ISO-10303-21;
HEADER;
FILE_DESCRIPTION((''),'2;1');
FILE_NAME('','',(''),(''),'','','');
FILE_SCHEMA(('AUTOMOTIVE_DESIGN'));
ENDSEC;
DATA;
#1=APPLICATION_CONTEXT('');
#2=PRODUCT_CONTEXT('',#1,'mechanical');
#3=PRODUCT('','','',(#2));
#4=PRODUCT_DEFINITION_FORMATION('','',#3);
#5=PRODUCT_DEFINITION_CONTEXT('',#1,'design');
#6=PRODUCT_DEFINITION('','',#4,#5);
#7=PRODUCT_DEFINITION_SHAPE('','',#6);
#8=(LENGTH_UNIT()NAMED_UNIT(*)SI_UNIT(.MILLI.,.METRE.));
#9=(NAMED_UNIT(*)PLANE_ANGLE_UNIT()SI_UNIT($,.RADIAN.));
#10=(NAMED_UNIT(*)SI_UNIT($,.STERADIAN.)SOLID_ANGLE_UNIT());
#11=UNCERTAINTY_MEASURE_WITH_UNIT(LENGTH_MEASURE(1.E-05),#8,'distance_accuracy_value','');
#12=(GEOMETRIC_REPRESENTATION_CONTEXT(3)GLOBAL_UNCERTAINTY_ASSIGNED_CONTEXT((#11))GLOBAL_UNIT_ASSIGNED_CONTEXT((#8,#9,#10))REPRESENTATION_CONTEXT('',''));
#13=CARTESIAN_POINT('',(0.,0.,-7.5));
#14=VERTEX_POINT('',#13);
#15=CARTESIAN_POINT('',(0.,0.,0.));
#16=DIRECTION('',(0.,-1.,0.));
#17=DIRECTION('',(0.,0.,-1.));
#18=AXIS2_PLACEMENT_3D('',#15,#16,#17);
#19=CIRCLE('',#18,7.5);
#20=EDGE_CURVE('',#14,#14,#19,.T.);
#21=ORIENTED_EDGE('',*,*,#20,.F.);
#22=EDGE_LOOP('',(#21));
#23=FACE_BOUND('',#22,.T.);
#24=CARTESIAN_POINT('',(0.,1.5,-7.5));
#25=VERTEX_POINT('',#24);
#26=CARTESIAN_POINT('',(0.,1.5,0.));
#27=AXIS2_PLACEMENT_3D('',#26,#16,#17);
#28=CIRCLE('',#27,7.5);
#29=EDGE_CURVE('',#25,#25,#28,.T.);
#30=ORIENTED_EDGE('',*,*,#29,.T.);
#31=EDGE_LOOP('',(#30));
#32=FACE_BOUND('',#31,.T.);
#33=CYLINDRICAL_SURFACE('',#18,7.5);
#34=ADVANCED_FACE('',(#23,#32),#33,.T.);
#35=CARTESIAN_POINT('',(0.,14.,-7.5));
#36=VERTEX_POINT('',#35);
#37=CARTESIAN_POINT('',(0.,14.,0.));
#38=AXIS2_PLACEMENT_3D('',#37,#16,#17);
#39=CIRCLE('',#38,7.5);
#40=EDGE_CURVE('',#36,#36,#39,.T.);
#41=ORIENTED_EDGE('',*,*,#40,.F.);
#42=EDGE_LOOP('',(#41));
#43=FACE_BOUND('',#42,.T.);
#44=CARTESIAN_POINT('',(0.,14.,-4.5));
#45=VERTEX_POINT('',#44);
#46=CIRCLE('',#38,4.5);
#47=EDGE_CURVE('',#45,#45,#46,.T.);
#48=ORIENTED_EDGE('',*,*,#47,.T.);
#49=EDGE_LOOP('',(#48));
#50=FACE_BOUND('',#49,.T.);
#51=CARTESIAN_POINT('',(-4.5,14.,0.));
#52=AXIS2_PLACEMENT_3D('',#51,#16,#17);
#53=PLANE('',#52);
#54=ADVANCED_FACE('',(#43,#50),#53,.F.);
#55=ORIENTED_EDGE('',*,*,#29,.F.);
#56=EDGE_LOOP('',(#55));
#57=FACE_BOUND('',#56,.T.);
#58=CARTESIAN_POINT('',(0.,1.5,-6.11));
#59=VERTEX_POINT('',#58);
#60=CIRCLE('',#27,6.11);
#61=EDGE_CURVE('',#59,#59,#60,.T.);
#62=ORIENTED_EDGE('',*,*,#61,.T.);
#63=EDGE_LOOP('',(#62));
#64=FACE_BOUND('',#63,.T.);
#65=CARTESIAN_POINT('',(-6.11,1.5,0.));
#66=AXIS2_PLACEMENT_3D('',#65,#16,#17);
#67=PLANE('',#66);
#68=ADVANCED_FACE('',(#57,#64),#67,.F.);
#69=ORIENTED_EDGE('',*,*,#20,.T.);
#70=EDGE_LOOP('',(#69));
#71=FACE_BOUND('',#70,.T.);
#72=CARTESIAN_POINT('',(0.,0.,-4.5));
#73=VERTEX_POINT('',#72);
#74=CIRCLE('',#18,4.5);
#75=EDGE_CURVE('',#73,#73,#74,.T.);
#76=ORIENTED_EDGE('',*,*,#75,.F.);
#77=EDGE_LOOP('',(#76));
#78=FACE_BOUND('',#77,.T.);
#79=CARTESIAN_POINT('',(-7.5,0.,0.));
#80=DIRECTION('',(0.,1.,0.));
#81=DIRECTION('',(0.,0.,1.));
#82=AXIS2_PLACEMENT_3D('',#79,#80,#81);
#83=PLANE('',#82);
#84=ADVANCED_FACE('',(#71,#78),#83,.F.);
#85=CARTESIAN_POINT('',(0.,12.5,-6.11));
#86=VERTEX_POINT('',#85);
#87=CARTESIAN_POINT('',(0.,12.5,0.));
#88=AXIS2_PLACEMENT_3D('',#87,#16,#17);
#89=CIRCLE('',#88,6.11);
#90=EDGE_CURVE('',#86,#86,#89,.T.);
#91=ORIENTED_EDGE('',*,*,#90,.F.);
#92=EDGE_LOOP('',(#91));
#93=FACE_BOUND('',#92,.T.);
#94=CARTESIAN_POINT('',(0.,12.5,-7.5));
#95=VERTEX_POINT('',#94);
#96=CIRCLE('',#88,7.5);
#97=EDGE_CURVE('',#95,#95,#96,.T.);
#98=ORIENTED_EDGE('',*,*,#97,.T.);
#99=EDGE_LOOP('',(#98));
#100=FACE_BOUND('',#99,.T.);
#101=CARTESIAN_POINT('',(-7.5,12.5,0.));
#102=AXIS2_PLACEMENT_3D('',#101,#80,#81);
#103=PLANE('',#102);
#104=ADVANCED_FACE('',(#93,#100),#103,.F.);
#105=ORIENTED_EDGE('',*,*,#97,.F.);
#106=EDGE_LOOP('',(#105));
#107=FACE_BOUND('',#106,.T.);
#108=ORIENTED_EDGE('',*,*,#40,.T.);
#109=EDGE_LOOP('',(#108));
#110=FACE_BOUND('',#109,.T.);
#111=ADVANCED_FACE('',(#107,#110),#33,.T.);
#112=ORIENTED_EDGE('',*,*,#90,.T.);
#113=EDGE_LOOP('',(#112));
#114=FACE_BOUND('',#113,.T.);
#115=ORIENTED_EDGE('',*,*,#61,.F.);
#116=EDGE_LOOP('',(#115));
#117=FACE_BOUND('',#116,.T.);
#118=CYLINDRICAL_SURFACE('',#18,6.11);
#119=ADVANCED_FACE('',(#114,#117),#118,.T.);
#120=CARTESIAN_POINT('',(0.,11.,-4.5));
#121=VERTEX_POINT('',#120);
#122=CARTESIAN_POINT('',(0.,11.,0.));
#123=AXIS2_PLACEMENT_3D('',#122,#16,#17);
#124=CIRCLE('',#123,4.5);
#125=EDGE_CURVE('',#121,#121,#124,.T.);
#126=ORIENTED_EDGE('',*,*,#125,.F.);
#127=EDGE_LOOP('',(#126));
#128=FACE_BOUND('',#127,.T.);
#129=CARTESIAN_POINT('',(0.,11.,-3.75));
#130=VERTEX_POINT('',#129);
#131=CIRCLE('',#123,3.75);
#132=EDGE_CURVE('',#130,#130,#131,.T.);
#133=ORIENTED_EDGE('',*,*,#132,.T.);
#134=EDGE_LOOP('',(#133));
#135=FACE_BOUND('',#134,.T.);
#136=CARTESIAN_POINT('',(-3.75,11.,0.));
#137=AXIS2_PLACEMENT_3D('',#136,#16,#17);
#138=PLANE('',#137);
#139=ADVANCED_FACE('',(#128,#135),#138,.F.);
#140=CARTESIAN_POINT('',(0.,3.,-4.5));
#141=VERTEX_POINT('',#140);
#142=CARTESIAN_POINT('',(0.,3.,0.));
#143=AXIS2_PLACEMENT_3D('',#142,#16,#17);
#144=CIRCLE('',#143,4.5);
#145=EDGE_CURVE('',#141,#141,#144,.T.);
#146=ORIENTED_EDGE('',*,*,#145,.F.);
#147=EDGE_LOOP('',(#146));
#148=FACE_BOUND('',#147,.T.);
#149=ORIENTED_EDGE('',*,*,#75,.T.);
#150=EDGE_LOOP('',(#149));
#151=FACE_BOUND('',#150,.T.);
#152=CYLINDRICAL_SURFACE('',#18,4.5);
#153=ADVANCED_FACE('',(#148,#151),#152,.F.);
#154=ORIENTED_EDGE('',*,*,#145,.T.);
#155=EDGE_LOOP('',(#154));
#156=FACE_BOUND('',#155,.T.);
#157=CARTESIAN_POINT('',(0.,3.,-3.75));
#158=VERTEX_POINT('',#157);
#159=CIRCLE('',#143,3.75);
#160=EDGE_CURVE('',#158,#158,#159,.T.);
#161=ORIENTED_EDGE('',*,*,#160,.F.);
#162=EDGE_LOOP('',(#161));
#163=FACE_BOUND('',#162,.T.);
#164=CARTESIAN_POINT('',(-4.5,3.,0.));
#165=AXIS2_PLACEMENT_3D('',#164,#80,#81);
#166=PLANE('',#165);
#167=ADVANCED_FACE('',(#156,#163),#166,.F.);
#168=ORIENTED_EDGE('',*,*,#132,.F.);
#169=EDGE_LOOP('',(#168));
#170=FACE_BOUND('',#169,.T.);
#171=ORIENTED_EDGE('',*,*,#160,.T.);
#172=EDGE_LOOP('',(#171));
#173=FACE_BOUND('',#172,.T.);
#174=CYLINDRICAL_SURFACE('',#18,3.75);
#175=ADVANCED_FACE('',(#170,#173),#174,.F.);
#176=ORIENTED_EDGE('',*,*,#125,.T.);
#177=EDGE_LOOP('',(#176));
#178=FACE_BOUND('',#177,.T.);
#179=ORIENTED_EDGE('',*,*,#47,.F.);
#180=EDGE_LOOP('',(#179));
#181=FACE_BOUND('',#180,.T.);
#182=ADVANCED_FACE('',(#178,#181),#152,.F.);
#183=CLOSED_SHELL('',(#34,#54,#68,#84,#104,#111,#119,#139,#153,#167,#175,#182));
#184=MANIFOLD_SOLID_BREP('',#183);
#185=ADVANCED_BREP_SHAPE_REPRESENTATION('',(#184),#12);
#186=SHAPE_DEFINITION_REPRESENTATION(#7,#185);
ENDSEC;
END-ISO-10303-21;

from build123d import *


with BuildPart() as part:
    # Sketch1 → Revolve1 (revolve)
    with BuildSketch(Plane.XY, mode=Mode.PRIVATE) as revolve1_sk:
        Polygon((-4.5, 0), (-4.5, 3), (-3.75, 3), (-3.75, 11), (-4.5, 11), (-4.5, 14), (-7.5, 14), (-7.5, 12.5), (-6.11, 12.5), (-6.11, 1.5), (-7.5, 1.5), (-7.5, 0), align=None)
    revolve(revolve1_sk.sketch.rotate(Axis((0, 0, 0), (0, 1, 0)), 270), axis=Axis((0, 0, 0), (0, 1, 0)))


solid = part.part
